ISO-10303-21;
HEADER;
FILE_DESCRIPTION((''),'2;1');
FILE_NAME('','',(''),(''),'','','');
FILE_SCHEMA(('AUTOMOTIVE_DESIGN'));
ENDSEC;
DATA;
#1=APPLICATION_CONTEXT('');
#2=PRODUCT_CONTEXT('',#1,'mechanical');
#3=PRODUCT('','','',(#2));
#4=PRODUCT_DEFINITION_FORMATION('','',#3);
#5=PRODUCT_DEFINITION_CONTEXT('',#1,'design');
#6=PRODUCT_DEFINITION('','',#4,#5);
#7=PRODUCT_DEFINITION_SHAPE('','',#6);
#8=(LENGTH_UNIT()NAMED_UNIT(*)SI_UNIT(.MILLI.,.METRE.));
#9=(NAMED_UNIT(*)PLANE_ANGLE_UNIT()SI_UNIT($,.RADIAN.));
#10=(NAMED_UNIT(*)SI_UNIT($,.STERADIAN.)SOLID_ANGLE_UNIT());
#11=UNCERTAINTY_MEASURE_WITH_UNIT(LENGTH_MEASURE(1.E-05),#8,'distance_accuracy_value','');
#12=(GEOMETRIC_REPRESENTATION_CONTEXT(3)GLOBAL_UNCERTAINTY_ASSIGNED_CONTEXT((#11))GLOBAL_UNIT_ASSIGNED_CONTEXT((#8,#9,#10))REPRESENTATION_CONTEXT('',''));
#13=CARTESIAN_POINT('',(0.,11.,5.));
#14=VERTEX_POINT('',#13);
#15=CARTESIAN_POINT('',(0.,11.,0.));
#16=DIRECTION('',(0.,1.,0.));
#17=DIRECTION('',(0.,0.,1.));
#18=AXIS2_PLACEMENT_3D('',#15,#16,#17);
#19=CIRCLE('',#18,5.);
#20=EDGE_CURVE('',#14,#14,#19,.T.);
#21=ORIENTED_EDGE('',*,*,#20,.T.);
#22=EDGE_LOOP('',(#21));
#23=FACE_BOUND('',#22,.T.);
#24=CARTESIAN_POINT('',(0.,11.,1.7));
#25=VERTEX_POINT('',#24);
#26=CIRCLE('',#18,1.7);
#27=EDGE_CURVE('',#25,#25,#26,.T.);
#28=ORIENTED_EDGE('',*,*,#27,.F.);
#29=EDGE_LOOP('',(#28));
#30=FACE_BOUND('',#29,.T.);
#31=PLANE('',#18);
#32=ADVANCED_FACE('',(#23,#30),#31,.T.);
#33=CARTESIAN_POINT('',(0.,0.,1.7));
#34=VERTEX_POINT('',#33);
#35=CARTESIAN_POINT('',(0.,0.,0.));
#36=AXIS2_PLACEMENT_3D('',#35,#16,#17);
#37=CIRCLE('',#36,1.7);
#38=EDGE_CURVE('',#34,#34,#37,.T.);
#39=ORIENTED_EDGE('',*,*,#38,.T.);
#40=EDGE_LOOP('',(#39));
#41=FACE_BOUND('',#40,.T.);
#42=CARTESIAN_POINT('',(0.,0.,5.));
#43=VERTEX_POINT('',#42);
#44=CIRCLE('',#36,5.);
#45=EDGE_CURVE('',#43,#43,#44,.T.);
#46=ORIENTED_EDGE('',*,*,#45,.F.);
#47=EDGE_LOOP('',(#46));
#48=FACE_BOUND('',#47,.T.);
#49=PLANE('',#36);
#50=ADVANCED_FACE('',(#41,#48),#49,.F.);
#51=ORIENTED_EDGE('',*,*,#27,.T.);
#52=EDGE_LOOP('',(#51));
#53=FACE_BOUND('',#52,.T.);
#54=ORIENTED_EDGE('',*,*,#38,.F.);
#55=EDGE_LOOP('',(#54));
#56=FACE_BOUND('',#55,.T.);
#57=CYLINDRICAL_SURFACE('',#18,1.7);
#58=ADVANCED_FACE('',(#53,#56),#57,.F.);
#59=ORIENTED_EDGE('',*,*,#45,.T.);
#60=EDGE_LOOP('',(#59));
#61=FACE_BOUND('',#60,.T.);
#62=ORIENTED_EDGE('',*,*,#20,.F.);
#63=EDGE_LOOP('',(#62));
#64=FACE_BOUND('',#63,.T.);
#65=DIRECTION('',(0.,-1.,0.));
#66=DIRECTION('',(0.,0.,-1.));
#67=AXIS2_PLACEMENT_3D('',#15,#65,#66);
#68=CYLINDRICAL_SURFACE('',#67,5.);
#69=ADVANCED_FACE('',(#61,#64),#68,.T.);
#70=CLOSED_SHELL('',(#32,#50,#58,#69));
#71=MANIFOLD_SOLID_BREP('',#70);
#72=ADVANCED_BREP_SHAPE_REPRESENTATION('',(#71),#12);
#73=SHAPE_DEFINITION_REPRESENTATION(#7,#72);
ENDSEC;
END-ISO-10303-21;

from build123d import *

# Parameters (mm, degrees)
SKETCH1_R            = 5
BOSS_EXTRUDE1_DEPTH  = 11
M3_CLEARANCE_HOLE1_D = 3.4


with BuildPart() as part:
    # Sketch1 → Boss-Extrude1 (new body)
    with BuildSketch(Plane(origin=(0, 0, 0), x_dir=(1, 0, 0), z_dir=(0, 1, 0))):
        with Locations(Location((0, 0, 0), (0, 0, 270))):
            Circle(SKETCH1_R)
    extrude(amount=BOSS_EXTRUDE1_DEPTH)

    # M3 Clearance Hole1 (through all)
    with Locations(Plane(origin=(0, 11, 0), x_dir=(1, 0, 0), z_dir=(0, 1, 0))):
        with Locations((0, 0)):
            Hole(M3_CLEARANCE_HOLE1_D / 2)


solid = part.part
